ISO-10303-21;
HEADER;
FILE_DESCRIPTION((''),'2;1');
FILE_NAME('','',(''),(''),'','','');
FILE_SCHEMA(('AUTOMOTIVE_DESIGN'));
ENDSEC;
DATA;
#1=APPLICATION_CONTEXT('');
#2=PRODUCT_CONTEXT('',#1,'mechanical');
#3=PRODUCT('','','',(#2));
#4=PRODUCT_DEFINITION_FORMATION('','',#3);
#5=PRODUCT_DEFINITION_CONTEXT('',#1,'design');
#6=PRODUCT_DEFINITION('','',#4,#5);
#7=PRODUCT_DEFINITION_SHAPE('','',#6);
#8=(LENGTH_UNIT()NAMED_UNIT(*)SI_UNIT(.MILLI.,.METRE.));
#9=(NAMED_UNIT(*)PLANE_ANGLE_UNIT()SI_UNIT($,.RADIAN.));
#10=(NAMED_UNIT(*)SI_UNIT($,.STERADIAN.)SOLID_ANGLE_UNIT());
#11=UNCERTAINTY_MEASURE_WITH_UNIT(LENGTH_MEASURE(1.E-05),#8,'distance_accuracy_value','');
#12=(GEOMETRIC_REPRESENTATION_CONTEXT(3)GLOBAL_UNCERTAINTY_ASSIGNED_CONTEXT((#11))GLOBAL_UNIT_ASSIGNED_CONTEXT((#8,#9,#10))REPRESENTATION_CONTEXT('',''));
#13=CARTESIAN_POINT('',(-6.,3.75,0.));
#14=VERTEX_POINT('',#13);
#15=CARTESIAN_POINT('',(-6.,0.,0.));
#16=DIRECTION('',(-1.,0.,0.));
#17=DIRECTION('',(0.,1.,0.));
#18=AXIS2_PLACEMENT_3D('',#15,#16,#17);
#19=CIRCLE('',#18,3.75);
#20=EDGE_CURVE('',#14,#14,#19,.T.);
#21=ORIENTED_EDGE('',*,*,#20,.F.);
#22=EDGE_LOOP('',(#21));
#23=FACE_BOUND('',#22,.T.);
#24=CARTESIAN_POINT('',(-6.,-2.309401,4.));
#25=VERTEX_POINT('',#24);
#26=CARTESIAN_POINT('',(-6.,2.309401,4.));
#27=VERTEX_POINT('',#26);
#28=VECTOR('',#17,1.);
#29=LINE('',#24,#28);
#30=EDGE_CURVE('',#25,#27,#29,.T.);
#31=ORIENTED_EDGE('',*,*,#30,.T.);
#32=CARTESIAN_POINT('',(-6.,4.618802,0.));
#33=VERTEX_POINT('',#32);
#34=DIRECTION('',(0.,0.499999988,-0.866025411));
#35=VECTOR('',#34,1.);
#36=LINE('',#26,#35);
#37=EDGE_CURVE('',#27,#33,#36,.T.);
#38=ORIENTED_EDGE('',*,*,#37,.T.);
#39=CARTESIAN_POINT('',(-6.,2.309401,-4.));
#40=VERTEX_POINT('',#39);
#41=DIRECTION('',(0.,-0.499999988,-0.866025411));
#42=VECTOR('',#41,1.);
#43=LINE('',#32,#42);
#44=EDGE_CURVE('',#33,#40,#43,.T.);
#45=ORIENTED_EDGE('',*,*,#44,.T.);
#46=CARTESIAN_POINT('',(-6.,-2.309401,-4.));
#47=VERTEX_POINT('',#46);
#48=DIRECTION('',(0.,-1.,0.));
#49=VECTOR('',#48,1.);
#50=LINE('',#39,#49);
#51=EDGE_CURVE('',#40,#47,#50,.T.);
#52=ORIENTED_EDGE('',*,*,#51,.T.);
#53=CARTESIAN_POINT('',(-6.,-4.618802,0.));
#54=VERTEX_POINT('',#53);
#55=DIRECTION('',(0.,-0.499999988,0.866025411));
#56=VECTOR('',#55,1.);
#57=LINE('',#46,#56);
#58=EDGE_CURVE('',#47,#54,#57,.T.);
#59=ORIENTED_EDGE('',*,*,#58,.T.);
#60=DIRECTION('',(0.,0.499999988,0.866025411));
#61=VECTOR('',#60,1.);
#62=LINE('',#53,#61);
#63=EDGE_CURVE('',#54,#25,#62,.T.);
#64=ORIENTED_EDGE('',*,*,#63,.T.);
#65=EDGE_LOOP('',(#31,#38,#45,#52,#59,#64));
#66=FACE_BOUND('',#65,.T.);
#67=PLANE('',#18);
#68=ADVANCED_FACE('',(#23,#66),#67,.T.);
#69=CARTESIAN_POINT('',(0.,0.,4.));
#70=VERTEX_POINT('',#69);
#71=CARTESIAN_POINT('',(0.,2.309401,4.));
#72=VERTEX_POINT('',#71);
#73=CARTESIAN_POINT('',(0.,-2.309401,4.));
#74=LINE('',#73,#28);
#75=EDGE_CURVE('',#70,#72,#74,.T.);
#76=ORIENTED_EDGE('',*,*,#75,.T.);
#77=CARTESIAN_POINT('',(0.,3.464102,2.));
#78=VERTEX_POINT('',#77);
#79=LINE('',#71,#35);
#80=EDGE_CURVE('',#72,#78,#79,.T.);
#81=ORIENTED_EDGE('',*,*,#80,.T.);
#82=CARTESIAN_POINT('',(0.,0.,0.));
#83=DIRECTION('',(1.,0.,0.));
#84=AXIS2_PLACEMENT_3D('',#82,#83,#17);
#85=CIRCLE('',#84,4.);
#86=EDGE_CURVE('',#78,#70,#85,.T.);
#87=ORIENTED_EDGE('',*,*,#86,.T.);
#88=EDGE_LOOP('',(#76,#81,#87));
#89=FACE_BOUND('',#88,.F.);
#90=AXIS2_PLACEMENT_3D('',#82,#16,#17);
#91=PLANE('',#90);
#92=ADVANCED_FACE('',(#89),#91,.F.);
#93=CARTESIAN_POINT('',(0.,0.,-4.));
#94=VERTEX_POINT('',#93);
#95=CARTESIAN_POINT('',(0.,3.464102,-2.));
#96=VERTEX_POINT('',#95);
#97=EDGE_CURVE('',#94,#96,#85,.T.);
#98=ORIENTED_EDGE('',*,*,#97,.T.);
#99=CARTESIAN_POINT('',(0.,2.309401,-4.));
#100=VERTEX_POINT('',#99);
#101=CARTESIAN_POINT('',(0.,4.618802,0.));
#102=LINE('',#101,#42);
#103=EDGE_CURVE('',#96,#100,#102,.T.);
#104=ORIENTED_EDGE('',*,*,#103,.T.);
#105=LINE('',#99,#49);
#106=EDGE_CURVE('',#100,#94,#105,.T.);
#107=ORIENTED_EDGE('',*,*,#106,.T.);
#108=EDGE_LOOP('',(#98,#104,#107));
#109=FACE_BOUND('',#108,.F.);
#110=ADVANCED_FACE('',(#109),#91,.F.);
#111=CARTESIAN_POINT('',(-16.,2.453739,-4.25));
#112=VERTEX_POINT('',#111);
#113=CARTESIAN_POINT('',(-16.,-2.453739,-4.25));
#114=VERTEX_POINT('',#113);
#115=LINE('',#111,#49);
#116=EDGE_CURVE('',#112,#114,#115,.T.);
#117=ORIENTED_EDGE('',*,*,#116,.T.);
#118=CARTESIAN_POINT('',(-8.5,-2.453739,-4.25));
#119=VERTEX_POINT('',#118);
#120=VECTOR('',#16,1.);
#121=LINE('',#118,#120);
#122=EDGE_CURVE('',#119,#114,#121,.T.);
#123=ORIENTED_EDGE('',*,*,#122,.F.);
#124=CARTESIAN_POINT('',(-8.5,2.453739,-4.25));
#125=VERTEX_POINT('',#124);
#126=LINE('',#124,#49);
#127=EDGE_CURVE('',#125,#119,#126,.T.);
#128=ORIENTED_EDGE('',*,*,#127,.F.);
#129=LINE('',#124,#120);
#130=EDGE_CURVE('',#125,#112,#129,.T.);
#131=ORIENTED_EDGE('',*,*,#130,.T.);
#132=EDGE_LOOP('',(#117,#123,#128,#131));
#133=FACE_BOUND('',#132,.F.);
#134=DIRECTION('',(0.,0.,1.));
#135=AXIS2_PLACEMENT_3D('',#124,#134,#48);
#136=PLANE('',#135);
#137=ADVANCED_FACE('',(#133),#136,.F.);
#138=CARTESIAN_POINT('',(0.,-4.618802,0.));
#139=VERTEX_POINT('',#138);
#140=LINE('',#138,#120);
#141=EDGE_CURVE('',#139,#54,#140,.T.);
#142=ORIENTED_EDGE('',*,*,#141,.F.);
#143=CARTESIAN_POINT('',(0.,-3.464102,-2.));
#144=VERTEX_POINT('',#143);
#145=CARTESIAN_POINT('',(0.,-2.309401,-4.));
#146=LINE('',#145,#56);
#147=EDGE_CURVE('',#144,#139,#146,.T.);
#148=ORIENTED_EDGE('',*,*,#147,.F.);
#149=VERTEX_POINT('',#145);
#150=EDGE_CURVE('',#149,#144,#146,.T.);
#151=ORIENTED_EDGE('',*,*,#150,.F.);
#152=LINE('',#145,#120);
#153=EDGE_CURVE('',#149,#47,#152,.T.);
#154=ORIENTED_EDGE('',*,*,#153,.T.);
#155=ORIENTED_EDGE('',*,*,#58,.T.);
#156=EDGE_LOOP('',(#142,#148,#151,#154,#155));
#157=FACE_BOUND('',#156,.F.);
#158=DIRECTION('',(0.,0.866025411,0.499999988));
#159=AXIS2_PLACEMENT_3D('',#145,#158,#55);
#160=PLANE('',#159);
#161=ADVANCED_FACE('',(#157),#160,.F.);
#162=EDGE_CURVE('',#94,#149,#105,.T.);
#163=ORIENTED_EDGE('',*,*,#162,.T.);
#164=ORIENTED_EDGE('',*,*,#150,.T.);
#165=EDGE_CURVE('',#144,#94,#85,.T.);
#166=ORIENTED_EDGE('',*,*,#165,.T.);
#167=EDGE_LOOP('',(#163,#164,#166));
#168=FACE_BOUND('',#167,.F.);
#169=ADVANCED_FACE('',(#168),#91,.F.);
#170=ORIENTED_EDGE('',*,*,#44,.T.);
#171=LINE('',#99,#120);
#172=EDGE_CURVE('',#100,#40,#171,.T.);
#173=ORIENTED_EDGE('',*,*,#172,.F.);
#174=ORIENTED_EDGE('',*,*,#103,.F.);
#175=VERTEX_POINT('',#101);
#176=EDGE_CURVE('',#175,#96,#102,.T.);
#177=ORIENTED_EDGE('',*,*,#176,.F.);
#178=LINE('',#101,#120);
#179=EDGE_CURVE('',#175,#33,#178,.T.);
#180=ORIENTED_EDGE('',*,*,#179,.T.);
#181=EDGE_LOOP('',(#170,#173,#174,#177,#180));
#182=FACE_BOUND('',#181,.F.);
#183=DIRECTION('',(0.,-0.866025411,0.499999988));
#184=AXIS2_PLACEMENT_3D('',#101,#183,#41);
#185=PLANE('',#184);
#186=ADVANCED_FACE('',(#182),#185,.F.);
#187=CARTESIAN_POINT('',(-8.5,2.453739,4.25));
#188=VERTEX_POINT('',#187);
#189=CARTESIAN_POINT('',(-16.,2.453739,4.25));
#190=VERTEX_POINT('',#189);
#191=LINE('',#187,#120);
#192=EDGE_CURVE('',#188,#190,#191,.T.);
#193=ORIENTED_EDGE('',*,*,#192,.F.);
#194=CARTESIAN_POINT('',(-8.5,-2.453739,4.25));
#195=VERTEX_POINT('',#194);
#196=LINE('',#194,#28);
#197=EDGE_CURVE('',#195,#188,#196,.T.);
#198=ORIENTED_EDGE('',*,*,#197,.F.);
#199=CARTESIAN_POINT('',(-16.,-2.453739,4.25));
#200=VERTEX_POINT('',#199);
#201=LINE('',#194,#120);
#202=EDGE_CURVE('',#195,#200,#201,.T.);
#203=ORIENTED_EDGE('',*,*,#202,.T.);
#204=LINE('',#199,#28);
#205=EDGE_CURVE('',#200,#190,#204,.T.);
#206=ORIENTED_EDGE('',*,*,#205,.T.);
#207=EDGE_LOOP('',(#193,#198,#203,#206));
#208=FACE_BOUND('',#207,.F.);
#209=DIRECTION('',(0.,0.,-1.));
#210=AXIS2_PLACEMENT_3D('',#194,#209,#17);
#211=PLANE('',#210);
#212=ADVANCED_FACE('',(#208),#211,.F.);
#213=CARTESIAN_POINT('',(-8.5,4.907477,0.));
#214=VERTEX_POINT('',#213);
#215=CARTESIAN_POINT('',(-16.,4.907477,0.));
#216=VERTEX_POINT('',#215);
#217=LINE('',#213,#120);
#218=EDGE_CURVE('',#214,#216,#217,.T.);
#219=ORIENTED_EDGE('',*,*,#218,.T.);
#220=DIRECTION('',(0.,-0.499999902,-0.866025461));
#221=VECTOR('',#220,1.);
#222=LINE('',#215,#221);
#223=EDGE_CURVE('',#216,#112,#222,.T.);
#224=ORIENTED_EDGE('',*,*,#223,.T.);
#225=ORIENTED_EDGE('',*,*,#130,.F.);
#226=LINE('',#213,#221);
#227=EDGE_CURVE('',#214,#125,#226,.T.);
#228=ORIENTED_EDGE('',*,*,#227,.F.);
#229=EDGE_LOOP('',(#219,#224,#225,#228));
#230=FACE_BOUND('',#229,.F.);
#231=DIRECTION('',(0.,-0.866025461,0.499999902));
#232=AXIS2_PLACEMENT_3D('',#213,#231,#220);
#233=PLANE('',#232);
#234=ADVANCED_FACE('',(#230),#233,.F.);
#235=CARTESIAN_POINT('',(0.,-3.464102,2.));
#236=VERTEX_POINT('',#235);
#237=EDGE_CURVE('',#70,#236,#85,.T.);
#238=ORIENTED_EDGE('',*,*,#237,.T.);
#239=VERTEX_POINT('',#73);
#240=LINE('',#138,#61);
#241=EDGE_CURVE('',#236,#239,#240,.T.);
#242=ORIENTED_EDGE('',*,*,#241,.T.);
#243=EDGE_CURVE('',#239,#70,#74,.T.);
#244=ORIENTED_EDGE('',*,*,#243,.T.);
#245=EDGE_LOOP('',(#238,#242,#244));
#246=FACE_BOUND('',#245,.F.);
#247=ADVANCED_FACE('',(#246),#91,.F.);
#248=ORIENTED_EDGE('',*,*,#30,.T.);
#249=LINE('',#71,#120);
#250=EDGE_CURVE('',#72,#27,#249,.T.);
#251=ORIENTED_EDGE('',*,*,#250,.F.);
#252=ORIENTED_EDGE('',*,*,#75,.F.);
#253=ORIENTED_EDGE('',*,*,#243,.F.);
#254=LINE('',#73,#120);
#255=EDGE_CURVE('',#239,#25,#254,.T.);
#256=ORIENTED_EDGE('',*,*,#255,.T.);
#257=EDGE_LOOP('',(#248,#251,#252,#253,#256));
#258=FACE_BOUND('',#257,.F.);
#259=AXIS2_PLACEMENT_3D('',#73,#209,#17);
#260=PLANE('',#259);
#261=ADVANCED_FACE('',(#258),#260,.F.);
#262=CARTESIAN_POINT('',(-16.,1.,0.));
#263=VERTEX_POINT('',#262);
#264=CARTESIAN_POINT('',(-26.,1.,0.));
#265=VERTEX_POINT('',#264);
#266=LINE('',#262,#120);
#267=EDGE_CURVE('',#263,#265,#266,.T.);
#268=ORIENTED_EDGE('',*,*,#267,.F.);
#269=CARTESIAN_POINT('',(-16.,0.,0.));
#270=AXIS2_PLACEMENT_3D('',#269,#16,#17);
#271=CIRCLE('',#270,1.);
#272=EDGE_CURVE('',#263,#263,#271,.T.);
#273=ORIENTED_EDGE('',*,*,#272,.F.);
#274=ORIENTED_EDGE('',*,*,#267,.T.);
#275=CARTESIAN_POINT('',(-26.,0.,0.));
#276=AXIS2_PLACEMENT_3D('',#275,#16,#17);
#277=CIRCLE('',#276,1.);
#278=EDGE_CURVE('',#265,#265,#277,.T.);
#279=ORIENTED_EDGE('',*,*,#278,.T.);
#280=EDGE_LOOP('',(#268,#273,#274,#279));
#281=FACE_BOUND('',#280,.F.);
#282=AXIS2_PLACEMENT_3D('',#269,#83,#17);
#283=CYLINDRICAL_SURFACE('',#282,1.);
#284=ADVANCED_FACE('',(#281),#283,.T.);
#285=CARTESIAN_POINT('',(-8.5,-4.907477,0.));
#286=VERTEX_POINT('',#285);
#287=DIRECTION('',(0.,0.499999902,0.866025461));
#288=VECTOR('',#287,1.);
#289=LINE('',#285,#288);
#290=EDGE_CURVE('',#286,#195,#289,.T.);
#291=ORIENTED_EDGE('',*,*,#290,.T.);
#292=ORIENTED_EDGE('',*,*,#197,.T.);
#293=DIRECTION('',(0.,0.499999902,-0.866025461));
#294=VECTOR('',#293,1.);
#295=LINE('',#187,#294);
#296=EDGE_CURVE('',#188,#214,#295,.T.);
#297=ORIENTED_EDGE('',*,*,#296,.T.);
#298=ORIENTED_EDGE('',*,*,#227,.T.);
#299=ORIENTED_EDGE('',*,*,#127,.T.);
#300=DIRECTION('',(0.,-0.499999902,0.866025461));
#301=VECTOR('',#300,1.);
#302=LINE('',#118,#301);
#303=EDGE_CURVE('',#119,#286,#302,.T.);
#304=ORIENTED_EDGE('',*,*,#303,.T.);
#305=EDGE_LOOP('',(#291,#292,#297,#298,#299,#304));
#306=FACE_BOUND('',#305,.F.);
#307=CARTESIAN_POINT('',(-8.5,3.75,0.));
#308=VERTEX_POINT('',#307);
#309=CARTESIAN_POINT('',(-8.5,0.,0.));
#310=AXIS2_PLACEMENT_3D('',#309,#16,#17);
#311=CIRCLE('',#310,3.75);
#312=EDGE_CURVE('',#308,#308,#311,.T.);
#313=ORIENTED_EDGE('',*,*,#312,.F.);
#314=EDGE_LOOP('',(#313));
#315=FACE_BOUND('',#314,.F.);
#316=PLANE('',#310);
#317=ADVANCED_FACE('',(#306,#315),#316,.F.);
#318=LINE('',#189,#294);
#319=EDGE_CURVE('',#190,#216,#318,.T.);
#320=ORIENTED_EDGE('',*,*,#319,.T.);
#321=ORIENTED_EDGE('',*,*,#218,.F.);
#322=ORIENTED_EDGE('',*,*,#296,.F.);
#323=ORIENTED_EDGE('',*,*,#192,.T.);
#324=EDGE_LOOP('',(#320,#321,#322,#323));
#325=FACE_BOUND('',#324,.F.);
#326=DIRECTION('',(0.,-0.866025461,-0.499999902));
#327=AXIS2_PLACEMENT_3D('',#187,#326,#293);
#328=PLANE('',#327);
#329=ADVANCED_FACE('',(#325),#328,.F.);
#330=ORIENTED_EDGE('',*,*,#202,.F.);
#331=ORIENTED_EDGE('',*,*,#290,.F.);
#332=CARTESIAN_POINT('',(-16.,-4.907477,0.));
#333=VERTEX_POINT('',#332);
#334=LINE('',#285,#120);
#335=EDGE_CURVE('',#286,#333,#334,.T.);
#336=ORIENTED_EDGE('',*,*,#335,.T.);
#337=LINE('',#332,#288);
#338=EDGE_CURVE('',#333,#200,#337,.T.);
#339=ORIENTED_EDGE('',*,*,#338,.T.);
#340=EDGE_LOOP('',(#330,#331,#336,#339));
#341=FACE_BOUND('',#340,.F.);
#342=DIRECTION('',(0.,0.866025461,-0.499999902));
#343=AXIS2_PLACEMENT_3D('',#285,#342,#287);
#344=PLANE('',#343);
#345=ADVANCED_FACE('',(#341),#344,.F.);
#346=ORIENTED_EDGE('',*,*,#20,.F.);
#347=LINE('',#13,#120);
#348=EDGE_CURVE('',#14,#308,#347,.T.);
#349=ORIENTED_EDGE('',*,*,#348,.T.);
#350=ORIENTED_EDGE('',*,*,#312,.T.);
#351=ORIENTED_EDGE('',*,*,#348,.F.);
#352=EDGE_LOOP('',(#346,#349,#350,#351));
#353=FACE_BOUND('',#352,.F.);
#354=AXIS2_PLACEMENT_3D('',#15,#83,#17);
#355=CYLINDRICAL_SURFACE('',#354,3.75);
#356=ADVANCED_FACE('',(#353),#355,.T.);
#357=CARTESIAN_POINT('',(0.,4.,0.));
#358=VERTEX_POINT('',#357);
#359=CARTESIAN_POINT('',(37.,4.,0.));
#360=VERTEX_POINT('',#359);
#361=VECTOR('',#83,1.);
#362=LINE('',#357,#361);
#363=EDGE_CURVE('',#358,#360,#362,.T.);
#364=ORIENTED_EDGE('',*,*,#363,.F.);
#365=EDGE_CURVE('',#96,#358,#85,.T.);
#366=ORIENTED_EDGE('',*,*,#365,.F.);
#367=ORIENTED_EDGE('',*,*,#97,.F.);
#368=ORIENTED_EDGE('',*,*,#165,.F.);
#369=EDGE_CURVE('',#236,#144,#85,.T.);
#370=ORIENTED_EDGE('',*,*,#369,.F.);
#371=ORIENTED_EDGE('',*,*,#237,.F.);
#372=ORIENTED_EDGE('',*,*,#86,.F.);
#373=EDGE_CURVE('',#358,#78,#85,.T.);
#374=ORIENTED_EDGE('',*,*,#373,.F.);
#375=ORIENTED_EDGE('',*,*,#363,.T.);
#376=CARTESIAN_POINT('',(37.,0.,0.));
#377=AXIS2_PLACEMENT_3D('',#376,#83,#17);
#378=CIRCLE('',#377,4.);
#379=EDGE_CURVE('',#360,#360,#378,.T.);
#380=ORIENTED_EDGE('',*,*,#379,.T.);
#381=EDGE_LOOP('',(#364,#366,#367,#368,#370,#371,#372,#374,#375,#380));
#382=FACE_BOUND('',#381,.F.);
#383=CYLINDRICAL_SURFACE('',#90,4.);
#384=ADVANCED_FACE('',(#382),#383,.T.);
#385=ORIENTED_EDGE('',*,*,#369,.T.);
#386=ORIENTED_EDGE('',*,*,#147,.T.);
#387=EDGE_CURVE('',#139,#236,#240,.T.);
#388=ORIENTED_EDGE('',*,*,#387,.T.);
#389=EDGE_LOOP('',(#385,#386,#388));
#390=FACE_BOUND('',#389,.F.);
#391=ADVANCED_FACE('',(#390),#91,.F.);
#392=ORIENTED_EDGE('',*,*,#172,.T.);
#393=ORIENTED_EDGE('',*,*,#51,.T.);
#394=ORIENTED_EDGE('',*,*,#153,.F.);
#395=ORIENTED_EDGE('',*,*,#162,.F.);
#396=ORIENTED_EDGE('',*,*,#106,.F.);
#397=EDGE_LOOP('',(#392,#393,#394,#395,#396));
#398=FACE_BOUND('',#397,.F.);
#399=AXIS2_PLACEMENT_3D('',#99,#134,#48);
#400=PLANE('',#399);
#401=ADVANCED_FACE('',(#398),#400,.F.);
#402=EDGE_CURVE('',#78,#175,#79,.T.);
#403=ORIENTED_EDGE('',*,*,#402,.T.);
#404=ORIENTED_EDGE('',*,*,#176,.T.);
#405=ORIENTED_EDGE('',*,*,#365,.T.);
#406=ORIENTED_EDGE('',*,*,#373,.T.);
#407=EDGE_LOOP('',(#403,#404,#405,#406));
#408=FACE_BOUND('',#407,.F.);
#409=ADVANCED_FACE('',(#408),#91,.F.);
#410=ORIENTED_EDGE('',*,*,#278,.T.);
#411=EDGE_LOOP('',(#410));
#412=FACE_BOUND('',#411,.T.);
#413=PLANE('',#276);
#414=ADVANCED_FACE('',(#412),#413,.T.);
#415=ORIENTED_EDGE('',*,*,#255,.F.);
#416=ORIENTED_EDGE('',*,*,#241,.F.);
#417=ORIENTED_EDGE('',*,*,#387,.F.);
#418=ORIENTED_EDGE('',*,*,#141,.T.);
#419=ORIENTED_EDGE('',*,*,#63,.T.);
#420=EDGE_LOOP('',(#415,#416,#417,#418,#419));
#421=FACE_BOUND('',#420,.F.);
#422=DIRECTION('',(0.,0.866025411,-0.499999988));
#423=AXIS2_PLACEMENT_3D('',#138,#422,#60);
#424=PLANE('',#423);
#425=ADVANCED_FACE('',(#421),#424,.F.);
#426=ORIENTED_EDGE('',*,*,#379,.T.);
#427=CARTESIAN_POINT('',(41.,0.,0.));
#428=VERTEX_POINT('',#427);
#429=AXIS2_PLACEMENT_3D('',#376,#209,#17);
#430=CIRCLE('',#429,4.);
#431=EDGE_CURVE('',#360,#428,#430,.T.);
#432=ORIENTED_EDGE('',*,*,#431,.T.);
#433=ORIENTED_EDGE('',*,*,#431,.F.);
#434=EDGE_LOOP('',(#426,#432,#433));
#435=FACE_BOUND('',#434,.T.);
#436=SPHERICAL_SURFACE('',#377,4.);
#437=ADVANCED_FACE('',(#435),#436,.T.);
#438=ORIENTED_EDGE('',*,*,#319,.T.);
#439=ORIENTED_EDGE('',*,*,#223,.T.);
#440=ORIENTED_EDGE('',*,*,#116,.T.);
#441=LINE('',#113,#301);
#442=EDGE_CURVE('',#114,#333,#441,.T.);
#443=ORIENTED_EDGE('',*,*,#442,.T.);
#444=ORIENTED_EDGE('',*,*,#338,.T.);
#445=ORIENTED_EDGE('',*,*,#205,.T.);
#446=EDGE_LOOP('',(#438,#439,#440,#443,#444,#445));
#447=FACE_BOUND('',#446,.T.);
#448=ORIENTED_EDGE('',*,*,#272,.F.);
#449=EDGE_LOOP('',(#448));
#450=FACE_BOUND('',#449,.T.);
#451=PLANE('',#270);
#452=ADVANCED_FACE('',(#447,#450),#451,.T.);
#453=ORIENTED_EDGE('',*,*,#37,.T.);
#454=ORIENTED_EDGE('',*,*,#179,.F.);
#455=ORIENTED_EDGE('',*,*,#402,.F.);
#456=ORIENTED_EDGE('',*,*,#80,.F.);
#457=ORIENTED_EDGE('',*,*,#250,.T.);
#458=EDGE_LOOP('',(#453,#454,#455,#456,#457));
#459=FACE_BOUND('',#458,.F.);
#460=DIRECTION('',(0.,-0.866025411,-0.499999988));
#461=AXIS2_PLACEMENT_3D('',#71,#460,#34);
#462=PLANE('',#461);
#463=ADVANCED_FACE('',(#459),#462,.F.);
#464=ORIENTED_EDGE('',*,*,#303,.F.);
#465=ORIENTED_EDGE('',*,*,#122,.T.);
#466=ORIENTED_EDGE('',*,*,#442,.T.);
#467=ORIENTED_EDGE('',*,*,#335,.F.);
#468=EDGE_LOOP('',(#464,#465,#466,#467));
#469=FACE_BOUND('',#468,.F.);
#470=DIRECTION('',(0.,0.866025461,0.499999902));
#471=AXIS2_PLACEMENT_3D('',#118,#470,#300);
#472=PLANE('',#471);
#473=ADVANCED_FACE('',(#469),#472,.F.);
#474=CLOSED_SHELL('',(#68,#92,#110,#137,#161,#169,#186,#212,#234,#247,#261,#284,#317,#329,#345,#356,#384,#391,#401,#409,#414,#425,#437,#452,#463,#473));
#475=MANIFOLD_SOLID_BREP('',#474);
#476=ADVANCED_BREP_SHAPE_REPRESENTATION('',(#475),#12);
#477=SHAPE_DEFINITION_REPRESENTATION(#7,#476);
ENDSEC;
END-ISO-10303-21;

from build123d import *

# Parameters (mm, degrees)
SKETCH_R     = 4
PAD_DEPTH    = 41
FILLET_R     = 4
PAD001_DEPTH = 6
SKETCH002_R  = 3.75
PAD002_DEPTH = 2.5
PAD003_DEPTH = 7.5
SKETCH004_R  = 1
PAD004_DEPTH = 10


with BuildPart() as part:
    # Sketch → Pad (new body)
    with BuildSketch(Plane.YZ):
        Circle(SKETCH_R)
    extrude(amount=PAD_DEPTH)

    # Fillet
    fillet_edges = [part.edges().sort_by_distance(p)[0] for p in [
        (41, -4, 0),
    ]]
    fillet(fillet_edges, radius=FILLET_R)

    # Sketch001 (on Face3 of Fillet) → Pad001 (join)
    with BuildSketch(Plane(origin=(0, 0, 0), x_dir=(0, 1, 0), z_dir=(-1, 0, 0))):
        Polygon((4.618802, 0), (2.309401, 4), (-2.309401, 4), (-4.618802, 0), (-2.309401, -4), (2.309401, -4), align=None)
    extrude(amount=PAD001_DEPTH)

    # Sketch002 (on Face15 of Pad001) → Pad002 (join)
    with BuildSketch(Plane(origin=(-6, 0, 0), x_dir=(0, 1, 0), z_dir=(-1, 0, 0))):
        Circle(SKETCH002_R)
    extrude(amount=PAD002_DEPTH)

    # Sketch003 (on Face17 of Pad002) → Pad003 (join)
    with BuildSketch(Plane(origin=(-8.5, 0, 0), x_dir=(0, 1, 0), z_dir=(-1, 0, 0))):
        Polygon((4.907477, 0), (2.453739, 4.25), (-2.453739, 4.25), (-4.907477, 0), (-2.453739, -4.25), (2.453739, -4.25), align=None)
    extrude(amount=PAD003_DEPTH)

    # Sketch004 (on Face24 of Pad003) → Pad004 (join)
    with BuildSketch(Plane(origin=(-16, 0, 0), x_dir=(0, 1, 0), z_dir=(-1, 0, 0))):
        Circle(SKETCH004_R)
    extrude(amount=PAD004_DEPTH)


solid = part.part
